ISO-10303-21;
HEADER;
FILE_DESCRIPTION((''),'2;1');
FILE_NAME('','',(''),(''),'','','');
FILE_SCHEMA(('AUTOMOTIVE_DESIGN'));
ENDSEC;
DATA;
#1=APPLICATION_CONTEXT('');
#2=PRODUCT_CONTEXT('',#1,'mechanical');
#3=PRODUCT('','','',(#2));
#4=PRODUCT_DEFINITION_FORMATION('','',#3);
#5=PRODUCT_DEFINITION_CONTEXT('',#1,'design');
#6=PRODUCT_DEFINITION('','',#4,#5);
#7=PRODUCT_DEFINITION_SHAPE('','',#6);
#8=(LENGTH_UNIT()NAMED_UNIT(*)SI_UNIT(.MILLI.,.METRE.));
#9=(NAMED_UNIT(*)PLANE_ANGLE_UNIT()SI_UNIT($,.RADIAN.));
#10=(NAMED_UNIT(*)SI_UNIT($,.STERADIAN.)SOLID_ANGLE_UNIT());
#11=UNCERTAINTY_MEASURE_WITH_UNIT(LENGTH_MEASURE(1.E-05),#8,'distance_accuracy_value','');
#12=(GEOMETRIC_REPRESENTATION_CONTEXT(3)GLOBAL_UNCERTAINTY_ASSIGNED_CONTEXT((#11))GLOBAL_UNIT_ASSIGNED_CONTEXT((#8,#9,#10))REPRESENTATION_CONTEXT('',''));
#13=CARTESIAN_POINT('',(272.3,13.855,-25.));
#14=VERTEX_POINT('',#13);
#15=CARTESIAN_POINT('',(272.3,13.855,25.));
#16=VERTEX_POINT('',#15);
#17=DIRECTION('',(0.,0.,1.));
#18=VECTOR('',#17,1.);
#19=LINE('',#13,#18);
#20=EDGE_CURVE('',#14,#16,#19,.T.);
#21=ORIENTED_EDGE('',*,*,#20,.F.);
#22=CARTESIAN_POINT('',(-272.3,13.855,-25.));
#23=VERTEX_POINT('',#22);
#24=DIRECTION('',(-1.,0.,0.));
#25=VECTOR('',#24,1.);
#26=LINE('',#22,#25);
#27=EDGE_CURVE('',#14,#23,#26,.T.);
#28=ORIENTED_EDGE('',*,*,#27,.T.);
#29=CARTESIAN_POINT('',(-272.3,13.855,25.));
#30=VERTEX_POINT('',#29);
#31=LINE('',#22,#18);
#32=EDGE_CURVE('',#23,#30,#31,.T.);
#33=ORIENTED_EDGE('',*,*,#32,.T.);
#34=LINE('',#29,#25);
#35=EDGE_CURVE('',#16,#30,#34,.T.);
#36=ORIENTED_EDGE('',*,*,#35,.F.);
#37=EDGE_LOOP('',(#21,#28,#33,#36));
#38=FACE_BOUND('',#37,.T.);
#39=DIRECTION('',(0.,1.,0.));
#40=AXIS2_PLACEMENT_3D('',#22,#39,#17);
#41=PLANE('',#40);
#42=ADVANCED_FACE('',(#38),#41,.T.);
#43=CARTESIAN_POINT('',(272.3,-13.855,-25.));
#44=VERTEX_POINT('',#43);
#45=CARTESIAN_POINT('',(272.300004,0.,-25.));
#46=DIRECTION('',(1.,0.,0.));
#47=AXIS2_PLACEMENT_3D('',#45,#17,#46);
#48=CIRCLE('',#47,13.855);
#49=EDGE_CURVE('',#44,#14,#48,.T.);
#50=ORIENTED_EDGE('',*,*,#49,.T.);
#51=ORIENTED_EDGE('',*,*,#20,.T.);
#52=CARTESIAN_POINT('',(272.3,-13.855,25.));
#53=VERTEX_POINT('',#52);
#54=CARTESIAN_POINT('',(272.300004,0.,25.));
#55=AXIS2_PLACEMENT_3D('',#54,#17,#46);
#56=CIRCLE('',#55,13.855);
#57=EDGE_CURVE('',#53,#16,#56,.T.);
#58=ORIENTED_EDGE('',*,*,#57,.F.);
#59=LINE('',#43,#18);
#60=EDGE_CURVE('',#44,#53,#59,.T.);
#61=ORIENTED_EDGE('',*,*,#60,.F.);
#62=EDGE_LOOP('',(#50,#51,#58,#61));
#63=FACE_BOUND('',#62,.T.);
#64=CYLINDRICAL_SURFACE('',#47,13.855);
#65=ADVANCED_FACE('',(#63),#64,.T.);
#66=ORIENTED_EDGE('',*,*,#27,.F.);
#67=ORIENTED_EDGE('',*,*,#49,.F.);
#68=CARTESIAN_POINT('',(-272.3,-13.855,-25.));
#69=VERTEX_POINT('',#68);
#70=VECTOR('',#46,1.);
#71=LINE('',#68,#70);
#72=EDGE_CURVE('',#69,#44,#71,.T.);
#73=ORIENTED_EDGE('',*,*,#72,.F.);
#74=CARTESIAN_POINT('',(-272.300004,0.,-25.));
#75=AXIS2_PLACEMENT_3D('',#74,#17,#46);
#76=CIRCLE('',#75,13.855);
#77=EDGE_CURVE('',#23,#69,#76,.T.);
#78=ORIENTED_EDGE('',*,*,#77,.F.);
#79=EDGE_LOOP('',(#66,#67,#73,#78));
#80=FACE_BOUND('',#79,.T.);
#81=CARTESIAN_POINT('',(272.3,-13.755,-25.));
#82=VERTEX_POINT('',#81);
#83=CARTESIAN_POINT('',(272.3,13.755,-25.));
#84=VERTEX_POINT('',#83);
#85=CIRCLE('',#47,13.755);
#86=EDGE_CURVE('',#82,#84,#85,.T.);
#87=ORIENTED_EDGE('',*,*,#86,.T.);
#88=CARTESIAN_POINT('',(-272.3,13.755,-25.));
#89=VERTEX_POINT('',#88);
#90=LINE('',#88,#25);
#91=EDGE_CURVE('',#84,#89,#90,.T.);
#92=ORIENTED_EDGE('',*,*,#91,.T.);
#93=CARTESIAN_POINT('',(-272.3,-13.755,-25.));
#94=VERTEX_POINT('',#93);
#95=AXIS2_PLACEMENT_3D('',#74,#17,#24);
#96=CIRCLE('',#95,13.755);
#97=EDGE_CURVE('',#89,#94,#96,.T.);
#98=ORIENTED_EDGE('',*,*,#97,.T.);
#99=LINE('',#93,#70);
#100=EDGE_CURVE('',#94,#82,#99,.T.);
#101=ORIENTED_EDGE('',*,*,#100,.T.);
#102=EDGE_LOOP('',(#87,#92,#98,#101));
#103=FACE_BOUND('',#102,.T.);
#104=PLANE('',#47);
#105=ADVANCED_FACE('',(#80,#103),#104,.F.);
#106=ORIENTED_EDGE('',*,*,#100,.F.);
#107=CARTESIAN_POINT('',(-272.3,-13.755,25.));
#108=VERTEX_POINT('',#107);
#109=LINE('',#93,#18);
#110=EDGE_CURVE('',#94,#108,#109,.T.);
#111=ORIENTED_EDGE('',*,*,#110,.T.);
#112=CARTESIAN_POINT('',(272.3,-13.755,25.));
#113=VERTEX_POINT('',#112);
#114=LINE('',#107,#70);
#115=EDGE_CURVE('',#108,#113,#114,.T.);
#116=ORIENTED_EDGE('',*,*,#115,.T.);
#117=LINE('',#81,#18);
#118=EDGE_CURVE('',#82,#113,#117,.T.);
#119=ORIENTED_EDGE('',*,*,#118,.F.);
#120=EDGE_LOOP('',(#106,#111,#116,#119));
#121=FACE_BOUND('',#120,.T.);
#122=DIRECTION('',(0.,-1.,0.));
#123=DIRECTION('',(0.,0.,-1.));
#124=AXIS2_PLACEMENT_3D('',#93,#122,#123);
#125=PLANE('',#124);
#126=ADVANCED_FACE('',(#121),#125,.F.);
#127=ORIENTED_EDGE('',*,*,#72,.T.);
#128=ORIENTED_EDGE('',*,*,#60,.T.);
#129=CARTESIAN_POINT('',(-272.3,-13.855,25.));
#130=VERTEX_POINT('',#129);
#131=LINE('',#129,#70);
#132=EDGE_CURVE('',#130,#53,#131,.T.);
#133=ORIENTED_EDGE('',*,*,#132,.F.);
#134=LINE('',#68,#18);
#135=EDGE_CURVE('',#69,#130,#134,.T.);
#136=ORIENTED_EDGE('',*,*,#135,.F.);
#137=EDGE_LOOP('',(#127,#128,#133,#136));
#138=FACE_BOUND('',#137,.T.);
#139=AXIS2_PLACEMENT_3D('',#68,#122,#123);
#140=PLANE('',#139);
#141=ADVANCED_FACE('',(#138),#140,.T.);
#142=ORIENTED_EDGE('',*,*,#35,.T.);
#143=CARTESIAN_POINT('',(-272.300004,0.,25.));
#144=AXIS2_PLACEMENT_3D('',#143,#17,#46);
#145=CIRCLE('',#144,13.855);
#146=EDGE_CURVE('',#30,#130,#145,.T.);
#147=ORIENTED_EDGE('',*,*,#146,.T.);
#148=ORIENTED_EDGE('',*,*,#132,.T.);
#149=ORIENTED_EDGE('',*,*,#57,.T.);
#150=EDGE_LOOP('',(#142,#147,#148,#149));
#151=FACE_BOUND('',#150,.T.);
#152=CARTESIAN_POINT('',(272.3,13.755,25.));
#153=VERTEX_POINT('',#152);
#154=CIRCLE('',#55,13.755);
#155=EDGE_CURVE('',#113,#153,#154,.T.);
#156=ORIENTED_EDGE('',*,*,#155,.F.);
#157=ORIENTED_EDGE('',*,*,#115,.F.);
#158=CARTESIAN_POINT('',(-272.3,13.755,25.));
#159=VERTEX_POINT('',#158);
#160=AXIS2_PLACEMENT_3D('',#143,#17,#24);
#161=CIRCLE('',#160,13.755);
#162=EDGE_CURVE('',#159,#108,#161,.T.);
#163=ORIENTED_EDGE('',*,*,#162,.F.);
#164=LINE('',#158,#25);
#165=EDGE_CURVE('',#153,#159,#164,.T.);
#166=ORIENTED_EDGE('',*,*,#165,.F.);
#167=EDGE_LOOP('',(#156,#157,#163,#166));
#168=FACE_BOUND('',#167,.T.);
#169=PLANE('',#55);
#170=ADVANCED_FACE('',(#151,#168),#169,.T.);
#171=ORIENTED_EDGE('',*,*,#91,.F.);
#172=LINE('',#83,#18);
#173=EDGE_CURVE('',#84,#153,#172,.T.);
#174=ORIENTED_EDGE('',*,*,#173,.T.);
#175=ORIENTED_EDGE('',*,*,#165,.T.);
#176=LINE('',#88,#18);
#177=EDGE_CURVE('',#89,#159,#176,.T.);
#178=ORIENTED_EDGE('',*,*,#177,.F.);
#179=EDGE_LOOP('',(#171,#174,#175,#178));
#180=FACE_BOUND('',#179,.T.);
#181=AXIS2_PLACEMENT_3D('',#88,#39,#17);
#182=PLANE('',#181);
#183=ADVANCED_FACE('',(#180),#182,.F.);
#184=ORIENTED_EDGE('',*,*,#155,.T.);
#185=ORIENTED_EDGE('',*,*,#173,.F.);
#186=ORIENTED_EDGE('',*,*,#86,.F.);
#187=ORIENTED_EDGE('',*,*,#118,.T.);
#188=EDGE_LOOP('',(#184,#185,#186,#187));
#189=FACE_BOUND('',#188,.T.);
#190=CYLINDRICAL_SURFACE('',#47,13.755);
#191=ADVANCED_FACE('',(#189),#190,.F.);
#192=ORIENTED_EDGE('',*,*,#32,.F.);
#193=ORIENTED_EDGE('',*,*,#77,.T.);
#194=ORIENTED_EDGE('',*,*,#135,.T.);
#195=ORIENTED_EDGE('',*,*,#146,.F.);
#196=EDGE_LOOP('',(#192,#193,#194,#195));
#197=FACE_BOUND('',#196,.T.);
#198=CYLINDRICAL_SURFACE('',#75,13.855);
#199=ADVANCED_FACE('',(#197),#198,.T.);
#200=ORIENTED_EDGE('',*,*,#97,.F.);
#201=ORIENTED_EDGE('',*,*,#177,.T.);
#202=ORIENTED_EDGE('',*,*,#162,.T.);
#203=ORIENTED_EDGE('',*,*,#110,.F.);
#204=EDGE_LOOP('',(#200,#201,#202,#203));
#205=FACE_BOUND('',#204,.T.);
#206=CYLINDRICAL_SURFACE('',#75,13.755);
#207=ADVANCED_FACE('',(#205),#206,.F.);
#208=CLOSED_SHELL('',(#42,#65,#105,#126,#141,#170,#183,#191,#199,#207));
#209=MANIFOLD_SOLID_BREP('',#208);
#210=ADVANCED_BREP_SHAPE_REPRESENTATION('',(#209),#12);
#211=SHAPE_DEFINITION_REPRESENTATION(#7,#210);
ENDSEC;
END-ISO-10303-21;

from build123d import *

# Parameters (mm, degrees)
EXTRU_MINCE1_DEPTH      = 25
EXTRU_MINCE1_DEPTH_BACK = 25


with BuildPart() as part:
    # Esquisse2 → Extru.-Mince1 (new body, two sides)
    with BuildSketch(Plane.XY) as extru_mince1_sk:
        with BuildLine():
            Line((-272.299999984, 13.855), (272.300004367, 13.855))
            ThreePointArc((272.300004367, 13.855), (286.155004367, -2.192e-06), (272.299999984, -13.855))
            Line((272.299999984, -13.855), (-272.300004367, -13.855))
            ThreePointArc((-272.300004367, -13.855), (-286.155004367, 2.192e-06), (-272.299999984, 13.855))
        make_face()
        with BuildLine():
            Line((-272.3, 13.755), (272.3, 13.755))
            ThreePointArc((272.3, 13.755), (286.055004367, 0), (272.3, -13.755))
            Line((272.3, -13.755), (-272.3, -13.755))
            ThreePointArc((-272.3, -13.755), (-286.055004367, 0), (-272.3, 13.755))
        make_face(mode=Mode.SUBTRACT)
    extrude(amount=EXTRU_MINCE1_DEPTH)
    extrude(extru_mince1_sk.sketch, amount=-EXTRU_MINCE1_DEPTH_BACK)


solid = part.part
